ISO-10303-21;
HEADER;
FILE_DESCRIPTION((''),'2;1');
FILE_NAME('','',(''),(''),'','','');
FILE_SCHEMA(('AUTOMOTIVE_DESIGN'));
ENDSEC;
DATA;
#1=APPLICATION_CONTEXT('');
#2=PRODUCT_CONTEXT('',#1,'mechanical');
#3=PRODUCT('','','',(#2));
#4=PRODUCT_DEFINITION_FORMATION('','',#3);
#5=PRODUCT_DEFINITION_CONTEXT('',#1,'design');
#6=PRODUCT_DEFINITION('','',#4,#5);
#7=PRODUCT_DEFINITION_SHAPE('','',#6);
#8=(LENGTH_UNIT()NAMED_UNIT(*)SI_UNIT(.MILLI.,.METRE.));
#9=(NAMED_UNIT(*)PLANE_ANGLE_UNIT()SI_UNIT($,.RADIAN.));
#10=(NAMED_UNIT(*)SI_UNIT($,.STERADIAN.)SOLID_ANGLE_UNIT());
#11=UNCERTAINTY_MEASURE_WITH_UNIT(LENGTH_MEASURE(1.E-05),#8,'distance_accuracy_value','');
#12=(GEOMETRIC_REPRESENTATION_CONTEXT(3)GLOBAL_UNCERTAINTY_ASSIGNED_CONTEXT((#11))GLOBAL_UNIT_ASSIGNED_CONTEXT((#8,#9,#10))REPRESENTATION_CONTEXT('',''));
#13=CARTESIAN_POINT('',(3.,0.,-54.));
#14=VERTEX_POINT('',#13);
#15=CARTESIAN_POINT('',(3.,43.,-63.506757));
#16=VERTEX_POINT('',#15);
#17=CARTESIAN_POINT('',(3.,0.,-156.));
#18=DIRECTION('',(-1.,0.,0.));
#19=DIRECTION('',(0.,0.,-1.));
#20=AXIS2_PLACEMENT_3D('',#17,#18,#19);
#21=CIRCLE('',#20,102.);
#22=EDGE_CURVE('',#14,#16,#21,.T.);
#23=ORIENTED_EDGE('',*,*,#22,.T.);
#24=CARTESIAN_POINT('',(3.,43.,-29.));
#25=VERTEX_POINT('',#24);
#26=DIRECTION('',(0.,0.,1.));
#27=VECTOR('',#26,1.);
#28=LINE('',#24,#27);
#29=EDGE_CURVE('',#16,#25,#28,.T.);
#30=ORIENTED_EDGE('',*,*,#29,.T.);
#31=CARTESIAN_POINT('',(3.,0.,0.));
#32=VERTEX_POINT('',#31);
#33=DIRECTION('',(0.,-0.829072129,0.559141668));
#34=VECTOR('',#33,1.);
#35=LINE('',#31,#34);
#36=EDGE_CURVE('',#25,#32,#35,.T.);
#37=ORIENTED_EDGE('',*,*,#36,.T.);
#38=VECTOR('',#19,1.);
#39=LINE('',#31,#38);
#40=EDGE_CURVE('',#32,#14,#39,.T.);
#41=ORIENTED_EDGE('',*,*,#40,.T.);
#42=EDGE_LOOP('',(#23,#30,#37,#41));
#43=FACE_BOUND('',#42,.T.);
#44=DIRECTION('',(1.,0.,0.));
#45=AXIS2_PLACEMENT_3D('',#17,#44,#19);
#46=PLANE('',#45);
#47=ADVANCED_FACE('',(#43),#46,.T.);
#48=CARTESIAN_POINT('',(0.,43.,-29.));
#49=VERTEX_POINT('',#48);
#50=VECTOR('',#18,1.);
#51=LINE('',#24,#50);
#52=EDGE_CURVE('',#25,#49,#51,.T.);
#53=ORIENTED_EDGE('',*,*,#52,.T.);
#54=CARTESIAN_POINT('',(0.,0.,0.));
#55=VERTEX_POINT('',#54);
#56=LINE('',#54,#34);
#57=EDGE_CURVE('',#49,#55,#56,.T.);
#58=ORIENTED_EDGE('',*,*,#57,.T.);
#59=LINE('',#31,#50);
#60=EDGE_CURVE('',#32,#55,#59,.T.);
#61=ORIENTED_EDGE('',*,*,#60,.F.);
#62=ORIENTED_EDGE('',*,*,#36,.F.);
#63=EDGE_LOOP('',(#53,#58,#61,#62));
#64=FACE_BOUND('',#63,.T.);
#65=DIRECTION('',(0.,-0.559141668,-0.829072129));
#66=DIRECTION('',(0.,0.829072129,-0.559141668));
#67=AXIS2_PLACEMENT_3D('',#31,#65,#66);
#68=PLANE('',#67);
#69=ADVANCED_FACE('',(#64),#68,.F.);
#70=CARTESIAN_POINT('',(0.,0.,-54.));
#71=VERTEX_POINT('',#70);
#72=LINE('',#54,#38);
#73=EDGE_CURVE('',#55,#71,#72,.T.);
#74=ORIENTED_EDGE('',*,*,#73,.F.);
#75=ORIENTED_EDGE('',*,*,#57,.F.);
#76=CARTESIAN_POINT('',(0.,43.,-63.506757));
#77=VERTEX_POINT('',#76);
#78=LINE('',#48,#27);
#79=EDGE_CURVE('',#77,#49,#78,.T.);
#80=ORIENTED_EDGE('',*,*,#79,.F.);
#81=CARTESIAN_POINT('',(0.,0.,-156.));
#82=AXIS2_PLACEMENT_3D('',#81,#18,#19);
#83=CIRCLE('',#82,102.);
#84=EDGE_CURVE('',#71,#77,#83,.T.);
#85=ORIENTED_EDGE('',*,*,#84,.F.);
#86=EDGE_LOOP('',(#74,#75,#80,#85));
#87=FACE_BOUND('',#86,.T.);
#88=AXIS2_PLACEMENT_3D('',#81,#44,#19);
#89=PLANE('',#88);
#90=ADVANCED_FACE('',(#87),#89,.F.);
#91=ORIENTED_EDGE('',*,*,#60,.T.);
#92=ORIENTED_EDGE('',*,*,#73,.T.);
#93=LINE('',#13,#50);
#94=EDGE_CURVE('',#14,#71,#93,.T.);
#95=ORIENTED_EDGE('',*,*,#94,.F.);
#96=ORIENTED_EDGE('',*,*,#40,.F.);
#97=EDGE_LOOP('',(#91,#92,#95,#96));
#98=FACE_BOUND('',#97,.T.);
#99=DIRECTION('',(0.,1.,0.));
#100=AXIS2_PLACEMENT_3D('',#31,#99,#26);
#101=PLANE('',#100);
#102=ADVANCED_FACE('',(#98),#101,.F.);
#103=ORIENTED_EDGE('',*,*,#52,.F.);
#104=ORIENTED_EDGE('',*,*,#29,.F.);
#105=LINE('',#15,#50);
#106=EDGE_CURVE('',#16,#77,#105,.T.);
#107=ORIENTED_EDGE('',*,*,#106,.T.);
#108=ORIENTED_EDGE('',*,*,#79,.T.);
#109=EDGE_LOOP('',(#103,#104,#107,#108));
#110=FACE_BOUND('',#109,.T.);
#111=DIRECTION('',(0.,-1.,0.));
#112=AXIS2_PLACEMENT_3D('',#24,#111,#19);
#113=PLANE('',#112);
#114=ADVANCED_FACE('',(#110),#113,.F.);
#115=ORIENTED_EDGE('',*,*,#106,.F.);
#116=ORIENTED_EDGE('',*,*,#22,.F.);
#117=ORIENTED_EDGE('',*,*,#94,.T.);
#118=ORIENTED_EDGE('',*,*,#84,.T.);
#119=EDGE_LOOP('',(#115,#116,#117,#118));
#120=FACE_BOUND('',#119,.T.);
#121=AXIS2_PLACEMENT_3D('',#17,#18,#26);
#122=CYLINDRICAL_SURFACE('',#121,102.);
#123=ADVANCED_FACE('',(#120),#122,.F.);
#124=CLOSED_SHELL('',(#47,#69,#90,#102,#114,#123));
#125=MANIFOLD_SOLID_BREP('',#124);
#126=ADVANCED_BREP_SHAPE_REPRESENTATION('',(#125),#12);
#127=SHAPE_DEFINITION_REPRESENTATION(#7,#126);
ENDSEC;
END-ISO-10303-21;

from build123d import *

# Parameters (mm, degrees)
EXTRUDE_1_DEPTH = 3


with BuildPart() as part:
    # Эскиз1 → Бобышка-Вытянуть1 (new body)
    with BuildSketch(Plane(origin=(0, 0, 0), x_dir=(0, 0, -1), z_dir=(1, 0, 0))):
        with BuildLine():
            Line((0, 0), (54, 0))
            ThreePointArc((54, 0), (56.405043336, 22.019187251), (63.506757004, 43))
            Line((63.506757004, 43), (29, 43))
            Line((29, 43), (0, 0))
        make_face()
    extrude(amount=EXTRUDE_1_DEPTH)


solid = part.part
